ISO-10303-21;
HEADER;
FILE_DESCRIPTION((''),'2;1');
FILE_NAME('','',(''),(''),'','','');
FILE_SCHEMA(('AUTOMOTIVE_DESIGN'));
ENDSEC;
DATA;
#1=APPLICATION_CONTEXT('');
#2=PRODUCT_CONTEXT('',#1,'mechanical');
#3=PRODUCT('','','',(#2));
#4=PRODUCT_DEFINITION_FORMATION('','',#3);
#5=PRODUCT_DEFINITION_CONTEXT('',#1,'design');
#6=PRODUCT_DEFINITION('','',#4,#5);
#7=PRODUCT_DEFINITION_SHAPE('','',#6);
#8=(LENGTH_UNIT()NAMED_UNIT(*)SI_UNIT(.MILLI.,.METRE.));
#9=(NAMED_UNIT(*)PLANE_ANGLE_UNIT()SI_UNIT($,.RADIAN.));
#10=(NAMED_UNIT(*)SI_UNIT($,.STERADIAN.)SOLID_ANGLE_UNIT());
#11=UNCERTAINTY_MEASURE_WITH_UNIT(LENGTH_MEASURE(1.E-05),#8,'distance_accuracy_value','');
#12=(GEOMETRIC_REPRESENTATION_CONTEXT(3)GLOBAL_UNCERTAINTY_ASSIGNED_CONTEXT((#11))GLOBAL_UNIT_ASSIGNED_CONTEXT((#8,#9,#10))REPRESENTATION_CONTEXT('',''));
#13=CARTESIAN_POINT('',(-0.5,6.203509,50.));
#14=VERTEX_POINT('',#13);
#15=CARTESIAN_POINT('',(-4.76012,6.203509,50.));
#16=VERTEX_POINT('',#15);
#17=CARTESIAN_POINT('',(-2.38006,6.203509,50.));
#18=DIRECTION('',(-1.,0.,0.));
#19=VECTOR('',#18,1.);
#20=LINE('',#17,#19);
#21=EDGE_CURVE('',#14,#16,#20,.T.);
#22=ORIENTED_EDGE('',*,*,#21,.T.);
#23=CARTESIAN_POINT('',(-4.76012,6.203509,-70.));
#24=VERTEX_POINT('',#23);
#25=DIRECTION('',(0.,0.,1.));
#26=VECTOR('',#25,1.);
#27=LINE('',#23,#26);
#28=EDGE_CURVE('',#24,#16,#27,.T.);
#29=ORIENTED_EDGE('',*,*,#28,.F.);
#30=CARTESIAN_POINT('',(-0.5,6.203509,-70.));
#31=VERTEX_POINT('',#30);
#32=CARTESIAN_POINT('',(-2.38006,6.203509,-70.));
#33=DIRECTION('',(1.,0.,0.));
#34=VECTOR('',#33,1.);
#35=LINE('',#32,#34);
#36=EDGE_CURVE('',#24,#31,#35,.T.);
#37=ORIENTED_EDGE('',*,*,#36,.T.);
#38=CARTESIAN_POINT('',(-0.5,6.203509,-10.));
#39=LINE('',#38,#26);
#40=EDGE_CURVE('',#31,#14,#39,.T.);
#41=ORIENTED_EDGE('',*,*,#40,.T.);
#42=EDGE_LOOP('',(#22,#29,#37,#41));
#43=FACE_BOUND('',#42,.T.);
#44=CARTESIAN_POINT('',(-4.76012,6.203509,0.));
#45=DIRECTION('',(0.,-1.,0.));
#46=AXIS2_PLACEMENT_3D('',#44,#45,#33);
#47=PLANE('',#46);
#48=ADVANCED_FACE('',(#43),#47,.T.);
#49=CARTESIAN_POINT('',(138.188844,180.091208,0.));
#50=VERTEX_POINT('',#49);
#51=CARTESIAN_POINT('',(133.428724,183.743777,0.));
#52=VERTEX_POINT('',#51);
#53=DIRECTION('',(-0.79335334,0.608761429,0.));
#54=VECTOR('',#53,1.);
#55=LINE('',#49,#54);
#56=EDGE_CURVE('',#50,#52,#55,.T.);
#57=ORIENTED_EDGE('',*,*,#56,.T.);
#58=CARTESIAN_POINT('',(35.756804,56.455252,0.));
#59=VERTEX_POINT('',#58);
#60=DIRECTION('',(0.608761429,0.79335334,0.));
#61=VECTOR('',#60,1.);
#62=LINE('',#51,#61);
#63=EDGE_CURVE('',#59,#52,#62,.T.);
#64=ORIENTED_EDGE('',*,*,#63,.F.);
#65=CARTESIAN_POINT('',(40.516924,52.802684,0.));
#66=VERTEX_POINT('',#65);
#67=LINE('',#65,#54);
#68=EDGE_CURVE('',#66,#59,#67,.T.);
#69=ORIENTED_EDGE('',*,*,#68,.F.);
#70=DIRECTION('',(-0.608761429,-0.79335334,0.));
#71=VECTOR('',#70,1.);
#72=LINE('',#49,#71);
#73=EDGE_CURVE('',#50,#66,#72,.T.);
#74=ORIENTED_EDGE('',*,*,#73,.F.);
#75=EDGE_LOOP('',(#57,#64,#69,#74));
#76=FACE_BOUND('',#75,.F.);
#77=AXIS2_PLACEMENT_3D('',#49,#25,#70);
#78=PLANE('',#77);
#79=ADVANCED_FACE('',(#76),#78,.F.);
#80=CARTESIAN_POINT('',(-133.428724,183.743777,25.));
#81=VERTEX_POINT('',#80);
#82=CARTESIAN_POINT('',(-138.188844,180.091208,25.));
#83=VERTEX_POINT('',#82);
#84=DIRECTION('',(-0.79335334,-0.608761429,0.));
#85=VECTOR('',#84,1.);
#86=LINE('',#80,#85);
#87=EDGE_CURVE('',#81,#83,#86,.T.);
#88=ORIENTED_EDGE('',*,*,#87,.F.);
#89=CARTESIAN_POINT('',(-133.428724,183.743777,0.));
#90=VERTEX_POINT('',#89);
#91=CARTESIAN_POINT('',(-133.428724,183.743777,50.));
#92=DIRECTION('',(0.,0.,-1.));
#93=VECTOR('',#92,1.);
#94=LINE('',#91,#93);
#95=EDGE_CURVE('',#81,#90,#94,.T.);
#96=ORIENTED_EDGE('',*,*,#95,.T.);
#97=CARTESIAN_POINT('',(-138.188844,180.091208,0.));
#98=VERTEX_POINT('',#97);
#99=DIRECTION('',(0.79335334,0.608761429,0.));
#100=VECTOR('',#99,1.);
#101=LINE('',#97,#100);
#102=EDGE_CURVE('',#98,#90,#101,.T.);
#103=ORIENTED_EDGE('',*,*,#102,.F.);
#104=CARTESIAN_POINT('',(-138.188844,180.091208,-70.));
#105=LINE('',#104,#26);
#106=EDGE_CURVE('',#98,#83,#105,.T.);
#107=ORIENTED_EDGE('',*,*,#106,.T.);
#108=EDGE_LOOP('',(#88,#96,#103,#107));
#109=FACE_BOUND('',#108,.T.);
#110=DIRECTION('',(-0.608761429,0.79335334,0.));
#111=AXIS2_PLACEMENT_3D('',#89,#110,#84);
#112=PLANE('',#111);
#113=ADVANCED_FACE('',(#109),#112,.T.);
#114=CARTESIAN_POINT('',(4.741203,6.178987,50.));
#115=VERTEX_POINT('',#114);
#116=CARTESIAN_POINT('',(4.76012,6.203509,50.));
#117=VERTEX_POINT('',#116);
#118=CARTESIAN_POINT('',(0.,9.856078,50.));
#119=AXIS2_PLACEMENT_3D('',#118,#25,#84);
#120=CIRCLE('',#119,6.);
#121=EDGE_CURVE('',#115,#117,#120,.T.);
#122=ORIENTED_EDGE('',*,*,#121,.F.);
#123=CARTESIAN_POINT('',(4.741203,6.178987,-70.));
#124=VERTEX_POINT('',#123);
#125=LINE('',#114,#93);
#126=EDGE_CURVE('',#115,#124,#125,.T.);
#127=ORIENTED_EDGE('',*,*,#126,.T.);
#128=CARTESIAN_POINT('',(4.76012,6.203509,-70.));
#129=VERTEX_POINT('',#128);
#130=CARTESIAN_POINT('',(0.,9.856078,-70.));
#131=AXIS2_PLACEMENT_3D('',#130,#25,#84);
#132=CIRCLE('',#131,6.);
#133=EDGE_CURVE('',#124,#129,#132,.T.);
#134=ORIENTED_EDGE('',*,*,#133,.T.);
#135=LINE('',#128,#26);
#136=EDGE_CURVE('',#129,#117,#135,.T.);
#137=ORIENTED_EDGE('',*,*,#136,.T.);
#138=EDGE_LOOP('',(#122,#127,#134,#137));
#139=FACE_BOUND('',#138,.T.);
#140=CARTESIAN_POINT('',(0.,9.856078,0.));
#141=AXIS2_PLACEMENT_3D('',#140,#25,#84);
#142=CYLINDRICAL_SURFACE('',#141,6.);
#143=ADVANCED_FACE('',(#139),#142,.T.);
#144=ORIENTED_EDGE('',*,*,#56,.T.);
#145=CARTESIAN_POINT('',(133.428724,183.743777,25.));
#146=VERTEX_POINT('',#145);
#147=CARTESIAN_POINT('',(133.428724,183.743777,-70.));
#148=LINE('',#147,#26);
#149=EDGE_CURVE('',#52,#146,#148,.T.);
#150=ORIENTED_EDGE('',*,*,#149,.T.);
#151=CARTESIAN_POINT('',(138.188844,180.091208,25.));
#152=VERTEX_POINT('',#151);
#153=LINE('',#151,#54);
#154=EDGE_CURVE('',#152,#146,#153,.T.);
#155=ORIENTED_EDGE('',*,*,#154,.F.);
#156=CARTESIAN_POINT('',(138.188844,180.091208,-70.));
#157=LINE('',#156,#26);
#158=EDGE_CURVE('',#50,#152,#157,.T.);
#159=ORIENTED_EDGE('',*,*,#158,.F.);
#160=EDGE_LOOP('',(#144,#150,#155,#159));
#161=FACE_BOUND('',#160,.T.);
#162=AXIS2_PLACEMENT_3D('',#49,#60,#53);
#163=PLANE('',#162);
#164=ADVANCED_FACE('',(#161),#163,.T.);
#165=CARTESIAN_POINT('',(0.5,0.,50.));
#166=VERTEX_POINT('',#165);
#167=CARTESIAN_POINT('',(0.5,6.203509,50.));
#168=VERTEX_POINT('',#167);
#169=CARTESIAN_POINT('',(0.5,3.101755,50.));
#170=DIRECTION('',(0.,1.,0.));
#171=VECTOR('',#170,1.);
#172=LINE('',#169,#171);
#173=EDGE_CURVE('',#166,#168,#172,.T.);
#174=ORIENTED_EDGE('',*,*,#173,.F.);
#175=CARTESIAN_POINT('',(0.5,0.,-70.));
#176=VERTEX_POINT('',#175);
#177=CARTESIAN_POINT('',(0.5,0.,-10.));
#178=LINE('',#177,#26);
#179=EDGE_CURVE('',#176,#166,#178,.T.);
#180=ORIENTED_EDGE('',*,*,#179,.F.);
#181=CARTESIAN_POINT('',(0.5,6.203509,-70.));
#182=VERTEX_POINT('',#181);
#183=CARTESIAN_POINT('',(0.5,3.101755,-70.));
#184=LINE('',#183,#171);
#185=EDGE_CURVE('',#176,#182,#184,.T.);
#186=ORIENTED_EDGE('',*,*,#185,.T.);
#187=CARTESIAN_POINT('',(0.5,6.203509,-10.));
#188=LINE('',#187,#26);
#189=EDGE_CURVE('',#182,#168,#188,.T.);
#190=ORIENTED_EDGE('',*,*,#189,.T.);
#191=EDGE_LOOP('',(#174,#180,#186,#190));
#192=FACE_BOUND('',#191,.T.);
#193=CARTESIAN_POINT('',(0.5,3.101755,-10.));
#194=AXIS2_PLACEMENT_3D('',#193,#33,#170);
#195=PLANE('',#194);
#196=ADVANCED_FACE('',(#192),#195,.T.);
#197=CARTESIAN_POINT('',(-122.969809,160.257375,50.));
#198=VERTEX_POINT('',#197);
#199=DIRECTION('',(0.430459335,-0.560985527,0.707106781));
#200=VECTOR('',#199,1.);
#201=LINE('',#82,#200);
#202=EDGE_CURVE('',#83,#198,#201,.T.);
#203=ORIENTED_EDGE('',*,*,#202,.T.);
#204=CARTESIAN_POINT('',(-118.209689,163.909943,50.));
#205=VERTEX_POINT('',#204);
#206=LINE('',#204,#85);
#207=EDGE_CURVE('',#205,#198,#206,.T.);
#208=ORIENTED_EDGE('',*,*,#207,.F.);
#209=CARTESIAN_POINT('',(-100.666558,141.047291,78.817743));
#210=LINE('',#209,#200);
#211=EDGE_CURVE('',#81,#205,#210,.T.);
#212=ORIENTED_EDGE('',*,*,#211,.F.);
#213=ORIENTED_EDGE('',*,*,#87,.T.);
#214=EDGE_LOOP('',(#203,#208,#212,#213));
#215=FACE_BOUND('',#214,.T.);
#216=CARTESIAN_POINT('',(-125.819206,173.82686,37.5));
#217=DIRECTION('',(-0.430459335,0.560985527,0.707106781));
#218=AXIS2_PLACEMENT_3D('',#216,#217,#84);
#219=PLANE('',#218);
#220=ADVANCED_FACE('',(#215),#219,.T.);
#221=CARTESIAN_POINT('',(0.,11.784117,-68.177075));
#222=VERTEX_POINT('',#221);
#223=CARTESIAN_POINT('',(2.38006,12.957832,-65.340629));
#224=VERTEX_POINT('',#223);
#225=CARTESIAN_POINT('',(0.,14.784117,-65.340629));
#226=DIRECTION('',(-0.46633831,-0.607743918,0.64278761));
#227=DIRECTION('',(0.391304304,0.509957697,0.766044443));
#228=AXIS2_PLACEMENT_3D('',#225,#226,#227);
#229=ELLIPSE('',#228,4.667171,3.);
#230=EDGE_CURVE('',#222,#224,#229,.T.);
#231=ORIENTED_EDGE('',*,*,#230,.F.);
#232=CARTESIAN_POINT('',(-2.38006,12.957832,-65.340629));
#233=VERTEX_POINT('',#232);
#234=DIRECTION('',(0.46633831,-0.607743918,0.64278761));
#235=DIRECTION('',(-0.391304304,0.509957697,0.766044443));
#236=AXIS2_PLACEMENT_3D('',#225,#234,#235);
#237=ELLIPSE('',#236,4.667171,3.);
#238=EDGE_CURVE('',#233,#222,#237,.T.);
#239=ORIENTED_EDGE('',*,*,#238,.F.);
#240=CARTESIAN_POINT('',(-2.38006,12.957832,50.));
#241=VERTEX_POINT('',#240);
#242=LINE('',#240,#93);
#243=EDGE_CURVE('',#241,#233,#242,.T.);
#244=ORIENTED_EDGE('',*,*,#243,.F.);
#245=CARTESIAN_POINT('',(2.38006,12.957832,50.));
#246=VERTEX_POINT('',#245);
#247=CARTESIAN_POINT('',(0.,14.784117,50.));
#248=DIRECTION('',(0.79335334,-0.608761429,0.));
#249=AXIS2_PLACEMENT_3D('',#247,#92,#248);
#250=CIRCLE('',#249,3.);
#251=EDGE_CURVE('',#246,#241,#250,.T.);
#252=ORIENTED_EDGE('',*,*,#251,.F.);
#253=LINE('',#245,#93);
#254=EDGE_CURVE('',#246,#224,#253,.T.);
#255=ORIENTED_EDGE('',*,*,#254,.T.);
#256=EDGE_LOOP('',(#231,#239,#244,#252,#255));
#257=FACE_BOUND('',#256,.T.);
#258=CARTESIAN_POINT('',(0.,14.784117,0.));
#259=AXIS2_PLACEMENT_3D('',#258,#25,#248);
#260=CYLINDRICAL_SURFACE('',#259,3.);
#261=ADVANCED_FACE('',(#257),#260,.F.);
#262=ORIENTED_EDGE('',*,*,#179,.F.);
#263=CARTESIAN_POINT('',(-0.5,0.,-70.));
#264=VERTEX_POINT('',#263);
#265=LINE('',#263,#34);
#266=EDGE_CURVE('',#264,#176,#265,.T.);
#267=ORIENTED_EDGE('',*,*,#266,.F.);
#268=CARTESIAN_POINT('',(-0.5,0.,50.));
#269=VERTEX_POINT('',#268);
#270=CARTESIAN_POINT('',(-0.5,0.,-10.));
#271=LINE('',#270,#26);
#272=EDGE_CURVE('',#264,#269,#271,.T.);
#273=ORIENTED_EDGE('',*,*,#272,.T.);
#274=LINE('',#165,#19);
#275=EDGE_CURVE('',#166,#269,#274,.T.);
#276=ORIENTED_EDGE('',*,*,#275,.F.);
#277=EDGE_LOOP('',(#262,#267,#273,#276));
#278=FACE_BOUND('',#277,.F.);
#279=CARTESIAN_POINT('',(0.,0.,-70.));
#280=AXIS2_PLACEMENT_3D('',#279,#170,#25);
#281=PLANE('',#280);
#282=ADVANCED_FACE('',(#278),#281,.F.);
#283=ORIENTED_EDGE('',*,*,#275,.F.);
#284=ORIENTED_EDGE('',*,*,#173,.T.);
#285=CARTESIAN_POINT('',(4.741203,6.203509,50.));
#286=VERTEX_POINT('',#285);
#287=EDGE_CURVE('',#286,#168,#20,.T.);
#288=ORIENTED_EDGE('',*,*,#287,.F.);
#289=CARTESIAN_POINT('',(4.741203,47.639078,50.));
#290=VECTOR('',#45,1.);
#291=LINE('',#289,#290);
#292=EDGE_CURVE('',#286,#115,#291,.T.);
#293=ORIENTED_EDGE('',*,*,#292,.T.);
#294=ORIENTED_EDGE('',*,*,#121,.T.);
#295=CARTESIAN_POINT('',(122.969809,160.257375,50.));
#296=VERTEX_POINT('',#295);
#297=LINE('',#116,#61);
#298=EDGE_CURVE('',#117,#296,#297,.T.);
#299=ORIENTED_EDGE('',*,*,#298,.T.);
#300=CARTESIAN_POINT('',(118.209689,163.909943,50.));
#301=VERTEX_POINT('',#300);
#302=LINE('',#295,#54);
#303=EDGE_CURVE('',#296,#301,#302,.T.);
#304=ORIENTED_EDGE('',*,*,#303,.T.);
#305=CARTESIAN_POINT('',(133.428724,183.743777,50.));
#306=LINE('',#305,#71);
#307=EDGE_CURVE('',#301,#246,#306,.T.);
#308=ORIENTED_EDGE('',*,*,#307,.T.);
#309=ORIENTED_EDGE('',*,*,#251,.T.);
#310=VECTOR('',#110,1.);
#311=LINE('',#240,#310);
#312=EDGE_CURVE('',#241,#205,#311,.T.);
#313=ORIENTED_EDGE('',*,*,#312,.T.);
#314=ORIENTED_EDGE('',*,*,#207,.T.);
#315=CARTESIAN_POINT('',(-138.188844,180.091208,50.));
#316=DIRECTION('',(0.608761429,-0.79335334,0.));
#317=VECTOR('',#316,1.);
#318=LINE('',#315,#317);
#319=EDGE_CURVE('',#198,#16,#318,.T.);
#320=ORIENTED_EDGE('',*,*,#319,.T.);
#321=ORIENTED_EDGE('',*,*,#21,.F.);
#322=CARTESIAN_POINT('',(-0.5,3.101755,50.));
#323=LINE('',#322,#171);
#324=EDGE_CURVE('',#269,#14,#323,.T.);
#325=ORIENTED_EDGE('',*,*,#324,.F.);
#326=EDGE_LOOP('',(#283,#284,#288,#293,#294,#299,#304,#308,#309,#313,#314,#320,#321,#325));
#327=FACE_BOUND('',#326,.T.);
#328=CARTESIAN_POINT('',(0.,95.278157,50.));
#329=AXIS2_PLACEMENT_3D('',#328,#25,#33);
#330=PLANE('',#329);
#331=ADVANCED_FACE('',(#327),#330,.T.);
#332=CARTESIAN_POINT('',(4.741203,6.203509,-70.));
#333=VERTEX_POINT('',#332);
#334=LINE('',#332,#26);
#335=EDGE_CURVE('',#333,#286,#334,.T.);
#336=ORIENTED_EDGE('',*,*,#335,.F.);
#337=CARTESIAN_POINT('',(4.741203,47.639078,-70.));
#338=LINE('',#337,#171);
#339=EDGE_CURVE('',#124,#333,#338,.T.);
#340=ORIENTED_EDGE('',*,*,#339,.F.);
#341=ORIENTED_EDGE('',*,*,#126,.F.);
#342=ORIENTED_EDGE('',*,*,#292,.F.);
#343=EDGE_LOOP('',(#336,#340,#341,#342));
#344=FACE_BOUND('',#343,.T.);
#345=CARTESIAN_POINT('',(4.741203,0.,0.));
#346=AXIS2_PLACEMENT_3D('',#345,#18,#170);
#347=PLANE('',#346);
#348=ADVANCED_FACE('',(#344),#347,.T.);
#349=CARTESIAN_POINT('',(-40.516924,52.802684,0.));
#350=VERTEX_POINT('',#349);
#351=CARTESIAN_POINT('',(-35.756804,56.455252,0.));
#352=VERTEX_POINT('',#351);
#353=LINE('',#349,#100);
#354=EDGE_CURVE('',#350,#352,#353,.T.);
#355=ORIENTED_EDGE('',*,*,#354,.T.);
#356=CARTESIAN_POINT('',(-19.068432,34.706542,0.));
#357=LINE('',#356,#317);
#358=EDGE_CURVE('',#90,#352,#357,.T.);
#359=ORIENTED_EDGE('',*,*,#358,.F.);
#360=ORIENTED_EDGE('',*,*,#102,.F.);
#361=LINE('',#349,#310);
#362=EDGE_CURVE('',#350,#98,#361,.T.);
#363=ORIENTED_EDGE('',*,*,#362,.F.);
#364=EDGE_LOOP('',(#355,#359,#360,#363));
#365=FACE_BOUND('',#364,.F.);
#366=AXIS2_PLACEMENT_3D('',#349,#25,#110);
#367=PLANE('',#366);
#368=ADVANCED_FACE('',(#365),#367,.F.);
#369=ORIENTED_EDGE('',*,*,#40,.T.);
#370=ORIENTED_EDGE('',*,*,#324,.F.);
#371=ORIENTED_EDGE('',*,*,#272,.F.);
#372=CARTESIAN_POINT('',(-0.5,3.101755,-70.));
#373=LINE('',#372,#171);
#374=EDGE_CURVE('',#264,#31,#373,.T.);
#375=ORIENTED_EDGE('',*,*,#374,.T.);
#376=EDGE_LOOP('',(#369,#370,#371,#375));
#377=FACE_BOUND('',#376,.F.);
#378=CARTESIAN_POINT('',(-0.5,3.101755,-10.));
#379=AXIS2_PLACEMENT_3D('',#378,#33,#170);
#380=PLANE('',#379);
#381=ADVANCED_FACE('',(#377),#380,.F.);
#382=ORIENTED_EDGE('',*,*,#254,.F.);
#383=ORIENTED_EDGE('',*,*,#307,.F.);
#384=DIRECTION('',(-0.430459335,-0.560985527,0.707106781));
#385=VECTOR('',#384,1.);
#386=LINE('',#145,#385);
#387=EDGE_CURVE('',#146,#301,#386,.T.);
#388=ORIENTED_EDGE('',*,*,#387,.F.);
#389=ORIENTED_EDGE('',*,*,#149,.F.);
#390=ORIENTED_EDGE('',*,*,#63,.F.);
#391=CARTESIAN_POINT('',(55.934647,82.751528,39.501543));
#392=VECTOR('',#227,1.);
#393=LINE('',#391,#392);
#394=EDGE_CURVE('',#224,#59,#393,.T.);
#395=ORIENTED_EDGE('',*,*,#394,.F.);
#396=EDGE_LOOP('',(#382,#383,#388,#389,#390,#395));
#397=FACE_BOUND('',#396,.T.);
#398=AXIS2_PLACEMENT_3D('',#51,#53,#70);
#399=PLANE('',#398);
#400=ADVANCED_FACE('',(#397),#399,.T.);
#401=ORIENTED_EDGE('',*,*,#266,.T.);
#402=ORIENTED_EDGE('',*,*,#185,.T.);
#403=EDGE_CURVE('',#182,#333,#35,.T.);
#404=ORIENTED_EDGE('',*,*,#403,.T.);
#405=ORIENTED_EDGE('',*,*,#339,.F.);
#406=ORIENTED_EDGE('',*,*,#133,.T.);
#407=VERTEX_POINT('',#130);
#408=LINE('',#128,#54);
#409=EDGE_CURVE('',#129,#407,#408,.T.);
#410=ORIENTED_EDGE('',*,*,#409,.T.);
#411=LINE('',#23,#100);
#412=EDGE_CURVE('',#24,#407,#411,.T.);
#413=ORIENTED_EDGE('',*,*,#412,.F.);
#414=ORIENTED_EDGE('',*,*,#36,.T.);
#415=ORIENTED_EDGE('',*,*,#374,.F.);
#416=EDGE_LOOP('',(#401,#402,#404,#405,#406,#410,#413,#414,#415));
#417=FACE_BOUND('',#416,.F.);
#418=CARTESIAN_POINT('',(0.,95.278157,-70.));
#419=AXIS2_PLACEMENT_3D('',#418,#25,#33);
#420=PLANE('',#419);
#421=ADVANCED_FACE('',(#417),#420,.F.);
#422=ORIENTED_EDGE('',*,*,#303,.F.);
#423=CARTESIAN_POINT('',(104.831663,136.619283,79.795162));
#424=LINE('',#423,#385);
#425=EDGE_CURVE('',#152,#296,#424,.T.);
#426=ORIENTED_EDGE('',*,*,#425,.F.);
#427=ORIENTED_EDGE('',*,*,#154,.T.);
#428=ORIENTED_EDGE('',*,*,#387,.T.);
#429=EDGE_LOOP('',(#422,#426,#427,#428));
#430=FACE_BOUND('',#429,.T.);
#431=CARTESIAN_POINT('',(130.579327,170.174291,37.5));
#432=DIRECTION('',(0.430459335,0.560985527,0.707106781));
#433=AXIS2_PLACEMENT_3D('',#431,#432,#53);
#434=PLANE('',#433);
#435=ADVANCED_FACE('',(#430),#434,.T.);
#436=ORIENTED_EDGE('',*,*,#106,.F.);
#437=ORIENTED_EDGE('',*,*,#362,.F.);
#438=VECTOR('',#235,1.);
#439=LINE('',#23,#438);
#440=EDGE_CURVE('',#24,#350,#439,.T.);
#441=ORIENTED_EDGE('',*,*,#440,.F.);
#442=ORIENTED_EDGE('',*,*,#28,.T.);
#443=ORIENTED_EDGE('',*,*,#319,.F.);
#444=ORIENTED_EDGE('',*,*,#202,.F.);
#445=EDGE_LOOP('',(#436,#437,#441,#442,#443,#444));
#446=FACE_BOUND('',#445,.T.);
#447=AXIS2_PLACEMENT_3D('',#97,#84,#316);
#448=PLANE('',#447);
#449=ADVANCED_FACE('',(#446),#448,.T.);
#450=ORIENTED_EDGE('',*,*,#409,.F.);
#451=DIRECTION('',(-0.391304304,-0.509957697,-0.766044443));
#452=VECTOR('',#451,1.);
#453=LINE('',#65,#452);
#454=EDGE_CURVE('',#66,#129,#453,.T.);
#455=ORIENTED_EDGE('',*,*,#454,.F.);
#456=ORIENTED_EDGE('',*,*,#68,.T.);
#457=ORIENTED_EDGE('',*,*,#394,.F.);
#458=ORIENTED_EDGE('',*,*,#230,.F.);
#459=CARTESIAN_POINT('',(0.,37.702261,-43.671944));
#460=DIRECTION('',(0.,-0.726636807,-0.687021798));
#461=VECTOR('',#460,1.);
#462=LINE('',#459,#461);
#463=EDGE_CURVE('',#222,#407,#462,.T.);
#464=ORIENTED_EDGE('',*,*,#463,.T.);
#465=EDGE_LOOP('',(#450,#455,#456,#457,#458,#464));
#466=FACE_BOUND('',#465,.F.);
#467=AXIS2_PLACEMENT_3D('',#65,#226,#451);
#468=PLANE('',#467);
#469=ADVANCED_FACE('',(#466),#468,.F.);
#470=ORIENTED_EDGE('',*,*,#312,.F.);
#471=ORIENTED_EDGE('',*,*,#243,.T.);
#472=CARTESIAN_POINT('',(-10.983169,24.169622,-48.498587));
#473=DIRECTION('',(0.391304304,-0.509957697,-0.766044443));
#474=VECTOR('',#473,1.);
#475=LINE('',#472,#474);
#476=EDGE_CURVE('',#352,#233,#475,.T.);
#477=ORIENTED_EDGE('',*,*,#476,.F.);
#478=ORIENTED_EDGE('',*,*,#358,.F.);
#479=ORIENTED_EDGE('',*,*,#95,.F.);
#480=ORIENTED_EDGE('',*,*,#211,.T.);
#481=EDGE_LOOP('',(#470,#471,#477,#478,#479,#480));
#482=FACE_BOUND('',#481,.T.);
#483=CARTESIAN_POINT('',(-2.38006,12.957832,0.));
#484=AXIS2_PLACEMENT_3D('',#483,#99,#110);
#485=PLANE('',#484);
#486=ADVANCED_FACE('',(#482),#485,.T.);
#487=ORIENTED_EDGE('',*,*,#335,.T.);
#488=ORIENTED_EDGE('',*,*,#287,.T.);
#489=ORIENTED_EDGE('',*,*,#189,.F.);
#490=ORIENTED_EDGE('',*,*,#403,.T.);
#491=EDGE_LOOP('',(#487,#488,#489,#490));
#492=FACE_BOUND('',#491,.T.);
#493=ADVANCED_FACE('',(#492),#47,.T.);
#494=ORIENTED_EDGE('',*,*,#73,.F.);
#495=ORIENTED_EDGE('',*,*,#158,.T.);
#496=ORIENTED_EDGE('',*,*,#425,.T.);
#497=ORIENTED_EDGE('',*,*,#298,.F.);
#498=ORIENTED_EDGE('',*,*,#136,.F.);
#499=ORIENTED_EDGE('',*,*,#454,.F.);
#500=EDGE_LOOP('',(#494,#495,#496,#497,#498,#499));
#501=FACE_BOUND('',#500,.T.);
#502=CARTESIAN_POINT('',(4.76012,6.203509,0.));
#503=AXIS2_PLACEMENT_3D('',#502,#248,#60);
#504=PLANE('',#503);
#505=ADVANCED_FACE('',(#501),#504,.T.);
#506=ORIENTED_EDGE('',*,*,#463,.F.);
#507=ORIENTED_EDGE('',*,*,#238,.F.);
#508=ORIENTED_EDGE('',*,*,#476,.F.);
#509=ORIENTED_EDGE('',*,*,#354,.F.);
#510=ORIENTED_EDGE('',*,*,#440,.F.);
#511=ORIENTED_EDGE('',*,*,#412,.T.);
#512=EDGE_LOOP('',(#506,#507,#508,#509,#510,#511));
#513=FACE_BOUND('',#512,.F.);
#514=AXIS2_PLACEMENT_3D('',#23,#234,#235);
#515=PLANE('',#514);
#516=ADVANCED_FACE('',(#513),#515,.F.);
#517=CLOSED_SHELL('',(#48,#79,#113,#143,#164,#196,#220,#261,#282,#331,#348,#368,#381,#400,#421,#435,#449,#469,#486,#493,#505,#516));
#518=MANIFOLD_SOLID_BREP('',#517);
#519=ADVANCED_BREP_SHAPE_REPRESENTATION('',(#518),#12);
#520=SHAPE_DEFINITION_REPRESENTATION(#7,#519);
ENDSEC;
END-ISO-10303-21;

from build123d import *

# Parameters (mm, degrees)
F1_DEPTH      = 50
F1_DEPTH_BACK = 70
F2_SIZE       = 25
F4_DEPTH      = 25
F6_DEPTH      = 25
F7_W          = 9.5013230816
F7_H          = 6.2035092162
F8_DEPTH      = 150
F8_DEPTH_BACK = 150
F9_W          = 6.2035092162
F9_H          = 120
F10_DEPTH     = 0.5


with BuildPart() as f1:
    # F0 (on Top) → F1 (new body, two sides)
    with BuildSketch(Plane.XY) as f1_sk:
        with BuildLine():
            Line((-133.4287243432, 183.7437768202), (-138.188844385, 180.0912082461))
            Line((-138.188844385, 180.0912082461), (-4.7601200417, 6.2035092162))
            ThreePointArc((-4.7601200417, 6.2035092162), (0, 3.8560777902), (4.7601200417, 6.2035092162))
            Line((4.7601200417, 6.2035092162), (138.188844385, 180.0912082461))
            Line((138.188844385, 180.0912082461), (133.4287243432, 183.7437768202))
            Line((133.4287243432, 183.7437768202), (2.3800600209, 12.9578323983))
            ThreePointArc((2.3800600209, 12.9578323983), (0, 11.7841166853), (-2.3800600209, 12.9578323983))
            Line((-2.3800600209, 12.9578323983), (-133.4287243432, 183.7437768202))
        make_face()
    extrude(amount=F1_DEPTH)
    extrude(f1_sk.sketch, amount=-F1_DEPTH_BACK)

    # F2
    f2_edges = [f1.edges().sort_by_distance(p)[0] for p in [
        (-135.808784, 181.917493, 50),
        (135.808784, 181.917493, 50),
    ]]
    chamfer(f2_edges, length=F2_SIZE)

    # F3 (on face) → F4 (cut)
    with BuildSketch(Plane(origin=(0, 0, 0), x_dir=(0.608761429, -0.7933533403, 0), z_dir=(-0.7933533403, -0.608761429, 0))):
        Polygon((-66.5563264195, 0), (-227, 0), (-227, -70), (-7.819352237, -70), align=None)
    extrude(amount=-F4_DEPTH, mode=Mode.SUBTRACT)

    # F5 (on face) → F6 (cut)
    with BuildSketch(Plane(origin=(0, 0, 0), x_dir=(0.608761429, 0.7933533403, 0), z_dir=(0.7933533403, -0.608761429, 0))):
        Polygon((66.5563264195, 0), (7.819352237, -70), (227, -70), (227, 0), align=None)
    extrude(amount=-F6_DEPTH, mode=Mode.SUBTRACT)

    # F7 (on Top) → F8 (cut, two sides)
    with BuildSketch(Plane.XY) as f8_sk:
        with Locations((-0.0094585009, 3.1017546081)):
            Rectangle(F7_W, F7_H)
    extrude(amount=F8_DEPTH, mode=Mode.SUBTRACT)
    extrude(f8_sk.sketch, amount=-F8_DEPTH_BACK, mode=Mode.SUBTRACT)

    # F9 (on Right) → F10 (join, symmetric)
    with BuildSketch(Plane.YZ):
        with Locations((3.1017546081, -10)):
            Rectangle(F9_W, F9_H)
    extrude(amount=F10_DEPTH, both=True)


solid = f1.part
